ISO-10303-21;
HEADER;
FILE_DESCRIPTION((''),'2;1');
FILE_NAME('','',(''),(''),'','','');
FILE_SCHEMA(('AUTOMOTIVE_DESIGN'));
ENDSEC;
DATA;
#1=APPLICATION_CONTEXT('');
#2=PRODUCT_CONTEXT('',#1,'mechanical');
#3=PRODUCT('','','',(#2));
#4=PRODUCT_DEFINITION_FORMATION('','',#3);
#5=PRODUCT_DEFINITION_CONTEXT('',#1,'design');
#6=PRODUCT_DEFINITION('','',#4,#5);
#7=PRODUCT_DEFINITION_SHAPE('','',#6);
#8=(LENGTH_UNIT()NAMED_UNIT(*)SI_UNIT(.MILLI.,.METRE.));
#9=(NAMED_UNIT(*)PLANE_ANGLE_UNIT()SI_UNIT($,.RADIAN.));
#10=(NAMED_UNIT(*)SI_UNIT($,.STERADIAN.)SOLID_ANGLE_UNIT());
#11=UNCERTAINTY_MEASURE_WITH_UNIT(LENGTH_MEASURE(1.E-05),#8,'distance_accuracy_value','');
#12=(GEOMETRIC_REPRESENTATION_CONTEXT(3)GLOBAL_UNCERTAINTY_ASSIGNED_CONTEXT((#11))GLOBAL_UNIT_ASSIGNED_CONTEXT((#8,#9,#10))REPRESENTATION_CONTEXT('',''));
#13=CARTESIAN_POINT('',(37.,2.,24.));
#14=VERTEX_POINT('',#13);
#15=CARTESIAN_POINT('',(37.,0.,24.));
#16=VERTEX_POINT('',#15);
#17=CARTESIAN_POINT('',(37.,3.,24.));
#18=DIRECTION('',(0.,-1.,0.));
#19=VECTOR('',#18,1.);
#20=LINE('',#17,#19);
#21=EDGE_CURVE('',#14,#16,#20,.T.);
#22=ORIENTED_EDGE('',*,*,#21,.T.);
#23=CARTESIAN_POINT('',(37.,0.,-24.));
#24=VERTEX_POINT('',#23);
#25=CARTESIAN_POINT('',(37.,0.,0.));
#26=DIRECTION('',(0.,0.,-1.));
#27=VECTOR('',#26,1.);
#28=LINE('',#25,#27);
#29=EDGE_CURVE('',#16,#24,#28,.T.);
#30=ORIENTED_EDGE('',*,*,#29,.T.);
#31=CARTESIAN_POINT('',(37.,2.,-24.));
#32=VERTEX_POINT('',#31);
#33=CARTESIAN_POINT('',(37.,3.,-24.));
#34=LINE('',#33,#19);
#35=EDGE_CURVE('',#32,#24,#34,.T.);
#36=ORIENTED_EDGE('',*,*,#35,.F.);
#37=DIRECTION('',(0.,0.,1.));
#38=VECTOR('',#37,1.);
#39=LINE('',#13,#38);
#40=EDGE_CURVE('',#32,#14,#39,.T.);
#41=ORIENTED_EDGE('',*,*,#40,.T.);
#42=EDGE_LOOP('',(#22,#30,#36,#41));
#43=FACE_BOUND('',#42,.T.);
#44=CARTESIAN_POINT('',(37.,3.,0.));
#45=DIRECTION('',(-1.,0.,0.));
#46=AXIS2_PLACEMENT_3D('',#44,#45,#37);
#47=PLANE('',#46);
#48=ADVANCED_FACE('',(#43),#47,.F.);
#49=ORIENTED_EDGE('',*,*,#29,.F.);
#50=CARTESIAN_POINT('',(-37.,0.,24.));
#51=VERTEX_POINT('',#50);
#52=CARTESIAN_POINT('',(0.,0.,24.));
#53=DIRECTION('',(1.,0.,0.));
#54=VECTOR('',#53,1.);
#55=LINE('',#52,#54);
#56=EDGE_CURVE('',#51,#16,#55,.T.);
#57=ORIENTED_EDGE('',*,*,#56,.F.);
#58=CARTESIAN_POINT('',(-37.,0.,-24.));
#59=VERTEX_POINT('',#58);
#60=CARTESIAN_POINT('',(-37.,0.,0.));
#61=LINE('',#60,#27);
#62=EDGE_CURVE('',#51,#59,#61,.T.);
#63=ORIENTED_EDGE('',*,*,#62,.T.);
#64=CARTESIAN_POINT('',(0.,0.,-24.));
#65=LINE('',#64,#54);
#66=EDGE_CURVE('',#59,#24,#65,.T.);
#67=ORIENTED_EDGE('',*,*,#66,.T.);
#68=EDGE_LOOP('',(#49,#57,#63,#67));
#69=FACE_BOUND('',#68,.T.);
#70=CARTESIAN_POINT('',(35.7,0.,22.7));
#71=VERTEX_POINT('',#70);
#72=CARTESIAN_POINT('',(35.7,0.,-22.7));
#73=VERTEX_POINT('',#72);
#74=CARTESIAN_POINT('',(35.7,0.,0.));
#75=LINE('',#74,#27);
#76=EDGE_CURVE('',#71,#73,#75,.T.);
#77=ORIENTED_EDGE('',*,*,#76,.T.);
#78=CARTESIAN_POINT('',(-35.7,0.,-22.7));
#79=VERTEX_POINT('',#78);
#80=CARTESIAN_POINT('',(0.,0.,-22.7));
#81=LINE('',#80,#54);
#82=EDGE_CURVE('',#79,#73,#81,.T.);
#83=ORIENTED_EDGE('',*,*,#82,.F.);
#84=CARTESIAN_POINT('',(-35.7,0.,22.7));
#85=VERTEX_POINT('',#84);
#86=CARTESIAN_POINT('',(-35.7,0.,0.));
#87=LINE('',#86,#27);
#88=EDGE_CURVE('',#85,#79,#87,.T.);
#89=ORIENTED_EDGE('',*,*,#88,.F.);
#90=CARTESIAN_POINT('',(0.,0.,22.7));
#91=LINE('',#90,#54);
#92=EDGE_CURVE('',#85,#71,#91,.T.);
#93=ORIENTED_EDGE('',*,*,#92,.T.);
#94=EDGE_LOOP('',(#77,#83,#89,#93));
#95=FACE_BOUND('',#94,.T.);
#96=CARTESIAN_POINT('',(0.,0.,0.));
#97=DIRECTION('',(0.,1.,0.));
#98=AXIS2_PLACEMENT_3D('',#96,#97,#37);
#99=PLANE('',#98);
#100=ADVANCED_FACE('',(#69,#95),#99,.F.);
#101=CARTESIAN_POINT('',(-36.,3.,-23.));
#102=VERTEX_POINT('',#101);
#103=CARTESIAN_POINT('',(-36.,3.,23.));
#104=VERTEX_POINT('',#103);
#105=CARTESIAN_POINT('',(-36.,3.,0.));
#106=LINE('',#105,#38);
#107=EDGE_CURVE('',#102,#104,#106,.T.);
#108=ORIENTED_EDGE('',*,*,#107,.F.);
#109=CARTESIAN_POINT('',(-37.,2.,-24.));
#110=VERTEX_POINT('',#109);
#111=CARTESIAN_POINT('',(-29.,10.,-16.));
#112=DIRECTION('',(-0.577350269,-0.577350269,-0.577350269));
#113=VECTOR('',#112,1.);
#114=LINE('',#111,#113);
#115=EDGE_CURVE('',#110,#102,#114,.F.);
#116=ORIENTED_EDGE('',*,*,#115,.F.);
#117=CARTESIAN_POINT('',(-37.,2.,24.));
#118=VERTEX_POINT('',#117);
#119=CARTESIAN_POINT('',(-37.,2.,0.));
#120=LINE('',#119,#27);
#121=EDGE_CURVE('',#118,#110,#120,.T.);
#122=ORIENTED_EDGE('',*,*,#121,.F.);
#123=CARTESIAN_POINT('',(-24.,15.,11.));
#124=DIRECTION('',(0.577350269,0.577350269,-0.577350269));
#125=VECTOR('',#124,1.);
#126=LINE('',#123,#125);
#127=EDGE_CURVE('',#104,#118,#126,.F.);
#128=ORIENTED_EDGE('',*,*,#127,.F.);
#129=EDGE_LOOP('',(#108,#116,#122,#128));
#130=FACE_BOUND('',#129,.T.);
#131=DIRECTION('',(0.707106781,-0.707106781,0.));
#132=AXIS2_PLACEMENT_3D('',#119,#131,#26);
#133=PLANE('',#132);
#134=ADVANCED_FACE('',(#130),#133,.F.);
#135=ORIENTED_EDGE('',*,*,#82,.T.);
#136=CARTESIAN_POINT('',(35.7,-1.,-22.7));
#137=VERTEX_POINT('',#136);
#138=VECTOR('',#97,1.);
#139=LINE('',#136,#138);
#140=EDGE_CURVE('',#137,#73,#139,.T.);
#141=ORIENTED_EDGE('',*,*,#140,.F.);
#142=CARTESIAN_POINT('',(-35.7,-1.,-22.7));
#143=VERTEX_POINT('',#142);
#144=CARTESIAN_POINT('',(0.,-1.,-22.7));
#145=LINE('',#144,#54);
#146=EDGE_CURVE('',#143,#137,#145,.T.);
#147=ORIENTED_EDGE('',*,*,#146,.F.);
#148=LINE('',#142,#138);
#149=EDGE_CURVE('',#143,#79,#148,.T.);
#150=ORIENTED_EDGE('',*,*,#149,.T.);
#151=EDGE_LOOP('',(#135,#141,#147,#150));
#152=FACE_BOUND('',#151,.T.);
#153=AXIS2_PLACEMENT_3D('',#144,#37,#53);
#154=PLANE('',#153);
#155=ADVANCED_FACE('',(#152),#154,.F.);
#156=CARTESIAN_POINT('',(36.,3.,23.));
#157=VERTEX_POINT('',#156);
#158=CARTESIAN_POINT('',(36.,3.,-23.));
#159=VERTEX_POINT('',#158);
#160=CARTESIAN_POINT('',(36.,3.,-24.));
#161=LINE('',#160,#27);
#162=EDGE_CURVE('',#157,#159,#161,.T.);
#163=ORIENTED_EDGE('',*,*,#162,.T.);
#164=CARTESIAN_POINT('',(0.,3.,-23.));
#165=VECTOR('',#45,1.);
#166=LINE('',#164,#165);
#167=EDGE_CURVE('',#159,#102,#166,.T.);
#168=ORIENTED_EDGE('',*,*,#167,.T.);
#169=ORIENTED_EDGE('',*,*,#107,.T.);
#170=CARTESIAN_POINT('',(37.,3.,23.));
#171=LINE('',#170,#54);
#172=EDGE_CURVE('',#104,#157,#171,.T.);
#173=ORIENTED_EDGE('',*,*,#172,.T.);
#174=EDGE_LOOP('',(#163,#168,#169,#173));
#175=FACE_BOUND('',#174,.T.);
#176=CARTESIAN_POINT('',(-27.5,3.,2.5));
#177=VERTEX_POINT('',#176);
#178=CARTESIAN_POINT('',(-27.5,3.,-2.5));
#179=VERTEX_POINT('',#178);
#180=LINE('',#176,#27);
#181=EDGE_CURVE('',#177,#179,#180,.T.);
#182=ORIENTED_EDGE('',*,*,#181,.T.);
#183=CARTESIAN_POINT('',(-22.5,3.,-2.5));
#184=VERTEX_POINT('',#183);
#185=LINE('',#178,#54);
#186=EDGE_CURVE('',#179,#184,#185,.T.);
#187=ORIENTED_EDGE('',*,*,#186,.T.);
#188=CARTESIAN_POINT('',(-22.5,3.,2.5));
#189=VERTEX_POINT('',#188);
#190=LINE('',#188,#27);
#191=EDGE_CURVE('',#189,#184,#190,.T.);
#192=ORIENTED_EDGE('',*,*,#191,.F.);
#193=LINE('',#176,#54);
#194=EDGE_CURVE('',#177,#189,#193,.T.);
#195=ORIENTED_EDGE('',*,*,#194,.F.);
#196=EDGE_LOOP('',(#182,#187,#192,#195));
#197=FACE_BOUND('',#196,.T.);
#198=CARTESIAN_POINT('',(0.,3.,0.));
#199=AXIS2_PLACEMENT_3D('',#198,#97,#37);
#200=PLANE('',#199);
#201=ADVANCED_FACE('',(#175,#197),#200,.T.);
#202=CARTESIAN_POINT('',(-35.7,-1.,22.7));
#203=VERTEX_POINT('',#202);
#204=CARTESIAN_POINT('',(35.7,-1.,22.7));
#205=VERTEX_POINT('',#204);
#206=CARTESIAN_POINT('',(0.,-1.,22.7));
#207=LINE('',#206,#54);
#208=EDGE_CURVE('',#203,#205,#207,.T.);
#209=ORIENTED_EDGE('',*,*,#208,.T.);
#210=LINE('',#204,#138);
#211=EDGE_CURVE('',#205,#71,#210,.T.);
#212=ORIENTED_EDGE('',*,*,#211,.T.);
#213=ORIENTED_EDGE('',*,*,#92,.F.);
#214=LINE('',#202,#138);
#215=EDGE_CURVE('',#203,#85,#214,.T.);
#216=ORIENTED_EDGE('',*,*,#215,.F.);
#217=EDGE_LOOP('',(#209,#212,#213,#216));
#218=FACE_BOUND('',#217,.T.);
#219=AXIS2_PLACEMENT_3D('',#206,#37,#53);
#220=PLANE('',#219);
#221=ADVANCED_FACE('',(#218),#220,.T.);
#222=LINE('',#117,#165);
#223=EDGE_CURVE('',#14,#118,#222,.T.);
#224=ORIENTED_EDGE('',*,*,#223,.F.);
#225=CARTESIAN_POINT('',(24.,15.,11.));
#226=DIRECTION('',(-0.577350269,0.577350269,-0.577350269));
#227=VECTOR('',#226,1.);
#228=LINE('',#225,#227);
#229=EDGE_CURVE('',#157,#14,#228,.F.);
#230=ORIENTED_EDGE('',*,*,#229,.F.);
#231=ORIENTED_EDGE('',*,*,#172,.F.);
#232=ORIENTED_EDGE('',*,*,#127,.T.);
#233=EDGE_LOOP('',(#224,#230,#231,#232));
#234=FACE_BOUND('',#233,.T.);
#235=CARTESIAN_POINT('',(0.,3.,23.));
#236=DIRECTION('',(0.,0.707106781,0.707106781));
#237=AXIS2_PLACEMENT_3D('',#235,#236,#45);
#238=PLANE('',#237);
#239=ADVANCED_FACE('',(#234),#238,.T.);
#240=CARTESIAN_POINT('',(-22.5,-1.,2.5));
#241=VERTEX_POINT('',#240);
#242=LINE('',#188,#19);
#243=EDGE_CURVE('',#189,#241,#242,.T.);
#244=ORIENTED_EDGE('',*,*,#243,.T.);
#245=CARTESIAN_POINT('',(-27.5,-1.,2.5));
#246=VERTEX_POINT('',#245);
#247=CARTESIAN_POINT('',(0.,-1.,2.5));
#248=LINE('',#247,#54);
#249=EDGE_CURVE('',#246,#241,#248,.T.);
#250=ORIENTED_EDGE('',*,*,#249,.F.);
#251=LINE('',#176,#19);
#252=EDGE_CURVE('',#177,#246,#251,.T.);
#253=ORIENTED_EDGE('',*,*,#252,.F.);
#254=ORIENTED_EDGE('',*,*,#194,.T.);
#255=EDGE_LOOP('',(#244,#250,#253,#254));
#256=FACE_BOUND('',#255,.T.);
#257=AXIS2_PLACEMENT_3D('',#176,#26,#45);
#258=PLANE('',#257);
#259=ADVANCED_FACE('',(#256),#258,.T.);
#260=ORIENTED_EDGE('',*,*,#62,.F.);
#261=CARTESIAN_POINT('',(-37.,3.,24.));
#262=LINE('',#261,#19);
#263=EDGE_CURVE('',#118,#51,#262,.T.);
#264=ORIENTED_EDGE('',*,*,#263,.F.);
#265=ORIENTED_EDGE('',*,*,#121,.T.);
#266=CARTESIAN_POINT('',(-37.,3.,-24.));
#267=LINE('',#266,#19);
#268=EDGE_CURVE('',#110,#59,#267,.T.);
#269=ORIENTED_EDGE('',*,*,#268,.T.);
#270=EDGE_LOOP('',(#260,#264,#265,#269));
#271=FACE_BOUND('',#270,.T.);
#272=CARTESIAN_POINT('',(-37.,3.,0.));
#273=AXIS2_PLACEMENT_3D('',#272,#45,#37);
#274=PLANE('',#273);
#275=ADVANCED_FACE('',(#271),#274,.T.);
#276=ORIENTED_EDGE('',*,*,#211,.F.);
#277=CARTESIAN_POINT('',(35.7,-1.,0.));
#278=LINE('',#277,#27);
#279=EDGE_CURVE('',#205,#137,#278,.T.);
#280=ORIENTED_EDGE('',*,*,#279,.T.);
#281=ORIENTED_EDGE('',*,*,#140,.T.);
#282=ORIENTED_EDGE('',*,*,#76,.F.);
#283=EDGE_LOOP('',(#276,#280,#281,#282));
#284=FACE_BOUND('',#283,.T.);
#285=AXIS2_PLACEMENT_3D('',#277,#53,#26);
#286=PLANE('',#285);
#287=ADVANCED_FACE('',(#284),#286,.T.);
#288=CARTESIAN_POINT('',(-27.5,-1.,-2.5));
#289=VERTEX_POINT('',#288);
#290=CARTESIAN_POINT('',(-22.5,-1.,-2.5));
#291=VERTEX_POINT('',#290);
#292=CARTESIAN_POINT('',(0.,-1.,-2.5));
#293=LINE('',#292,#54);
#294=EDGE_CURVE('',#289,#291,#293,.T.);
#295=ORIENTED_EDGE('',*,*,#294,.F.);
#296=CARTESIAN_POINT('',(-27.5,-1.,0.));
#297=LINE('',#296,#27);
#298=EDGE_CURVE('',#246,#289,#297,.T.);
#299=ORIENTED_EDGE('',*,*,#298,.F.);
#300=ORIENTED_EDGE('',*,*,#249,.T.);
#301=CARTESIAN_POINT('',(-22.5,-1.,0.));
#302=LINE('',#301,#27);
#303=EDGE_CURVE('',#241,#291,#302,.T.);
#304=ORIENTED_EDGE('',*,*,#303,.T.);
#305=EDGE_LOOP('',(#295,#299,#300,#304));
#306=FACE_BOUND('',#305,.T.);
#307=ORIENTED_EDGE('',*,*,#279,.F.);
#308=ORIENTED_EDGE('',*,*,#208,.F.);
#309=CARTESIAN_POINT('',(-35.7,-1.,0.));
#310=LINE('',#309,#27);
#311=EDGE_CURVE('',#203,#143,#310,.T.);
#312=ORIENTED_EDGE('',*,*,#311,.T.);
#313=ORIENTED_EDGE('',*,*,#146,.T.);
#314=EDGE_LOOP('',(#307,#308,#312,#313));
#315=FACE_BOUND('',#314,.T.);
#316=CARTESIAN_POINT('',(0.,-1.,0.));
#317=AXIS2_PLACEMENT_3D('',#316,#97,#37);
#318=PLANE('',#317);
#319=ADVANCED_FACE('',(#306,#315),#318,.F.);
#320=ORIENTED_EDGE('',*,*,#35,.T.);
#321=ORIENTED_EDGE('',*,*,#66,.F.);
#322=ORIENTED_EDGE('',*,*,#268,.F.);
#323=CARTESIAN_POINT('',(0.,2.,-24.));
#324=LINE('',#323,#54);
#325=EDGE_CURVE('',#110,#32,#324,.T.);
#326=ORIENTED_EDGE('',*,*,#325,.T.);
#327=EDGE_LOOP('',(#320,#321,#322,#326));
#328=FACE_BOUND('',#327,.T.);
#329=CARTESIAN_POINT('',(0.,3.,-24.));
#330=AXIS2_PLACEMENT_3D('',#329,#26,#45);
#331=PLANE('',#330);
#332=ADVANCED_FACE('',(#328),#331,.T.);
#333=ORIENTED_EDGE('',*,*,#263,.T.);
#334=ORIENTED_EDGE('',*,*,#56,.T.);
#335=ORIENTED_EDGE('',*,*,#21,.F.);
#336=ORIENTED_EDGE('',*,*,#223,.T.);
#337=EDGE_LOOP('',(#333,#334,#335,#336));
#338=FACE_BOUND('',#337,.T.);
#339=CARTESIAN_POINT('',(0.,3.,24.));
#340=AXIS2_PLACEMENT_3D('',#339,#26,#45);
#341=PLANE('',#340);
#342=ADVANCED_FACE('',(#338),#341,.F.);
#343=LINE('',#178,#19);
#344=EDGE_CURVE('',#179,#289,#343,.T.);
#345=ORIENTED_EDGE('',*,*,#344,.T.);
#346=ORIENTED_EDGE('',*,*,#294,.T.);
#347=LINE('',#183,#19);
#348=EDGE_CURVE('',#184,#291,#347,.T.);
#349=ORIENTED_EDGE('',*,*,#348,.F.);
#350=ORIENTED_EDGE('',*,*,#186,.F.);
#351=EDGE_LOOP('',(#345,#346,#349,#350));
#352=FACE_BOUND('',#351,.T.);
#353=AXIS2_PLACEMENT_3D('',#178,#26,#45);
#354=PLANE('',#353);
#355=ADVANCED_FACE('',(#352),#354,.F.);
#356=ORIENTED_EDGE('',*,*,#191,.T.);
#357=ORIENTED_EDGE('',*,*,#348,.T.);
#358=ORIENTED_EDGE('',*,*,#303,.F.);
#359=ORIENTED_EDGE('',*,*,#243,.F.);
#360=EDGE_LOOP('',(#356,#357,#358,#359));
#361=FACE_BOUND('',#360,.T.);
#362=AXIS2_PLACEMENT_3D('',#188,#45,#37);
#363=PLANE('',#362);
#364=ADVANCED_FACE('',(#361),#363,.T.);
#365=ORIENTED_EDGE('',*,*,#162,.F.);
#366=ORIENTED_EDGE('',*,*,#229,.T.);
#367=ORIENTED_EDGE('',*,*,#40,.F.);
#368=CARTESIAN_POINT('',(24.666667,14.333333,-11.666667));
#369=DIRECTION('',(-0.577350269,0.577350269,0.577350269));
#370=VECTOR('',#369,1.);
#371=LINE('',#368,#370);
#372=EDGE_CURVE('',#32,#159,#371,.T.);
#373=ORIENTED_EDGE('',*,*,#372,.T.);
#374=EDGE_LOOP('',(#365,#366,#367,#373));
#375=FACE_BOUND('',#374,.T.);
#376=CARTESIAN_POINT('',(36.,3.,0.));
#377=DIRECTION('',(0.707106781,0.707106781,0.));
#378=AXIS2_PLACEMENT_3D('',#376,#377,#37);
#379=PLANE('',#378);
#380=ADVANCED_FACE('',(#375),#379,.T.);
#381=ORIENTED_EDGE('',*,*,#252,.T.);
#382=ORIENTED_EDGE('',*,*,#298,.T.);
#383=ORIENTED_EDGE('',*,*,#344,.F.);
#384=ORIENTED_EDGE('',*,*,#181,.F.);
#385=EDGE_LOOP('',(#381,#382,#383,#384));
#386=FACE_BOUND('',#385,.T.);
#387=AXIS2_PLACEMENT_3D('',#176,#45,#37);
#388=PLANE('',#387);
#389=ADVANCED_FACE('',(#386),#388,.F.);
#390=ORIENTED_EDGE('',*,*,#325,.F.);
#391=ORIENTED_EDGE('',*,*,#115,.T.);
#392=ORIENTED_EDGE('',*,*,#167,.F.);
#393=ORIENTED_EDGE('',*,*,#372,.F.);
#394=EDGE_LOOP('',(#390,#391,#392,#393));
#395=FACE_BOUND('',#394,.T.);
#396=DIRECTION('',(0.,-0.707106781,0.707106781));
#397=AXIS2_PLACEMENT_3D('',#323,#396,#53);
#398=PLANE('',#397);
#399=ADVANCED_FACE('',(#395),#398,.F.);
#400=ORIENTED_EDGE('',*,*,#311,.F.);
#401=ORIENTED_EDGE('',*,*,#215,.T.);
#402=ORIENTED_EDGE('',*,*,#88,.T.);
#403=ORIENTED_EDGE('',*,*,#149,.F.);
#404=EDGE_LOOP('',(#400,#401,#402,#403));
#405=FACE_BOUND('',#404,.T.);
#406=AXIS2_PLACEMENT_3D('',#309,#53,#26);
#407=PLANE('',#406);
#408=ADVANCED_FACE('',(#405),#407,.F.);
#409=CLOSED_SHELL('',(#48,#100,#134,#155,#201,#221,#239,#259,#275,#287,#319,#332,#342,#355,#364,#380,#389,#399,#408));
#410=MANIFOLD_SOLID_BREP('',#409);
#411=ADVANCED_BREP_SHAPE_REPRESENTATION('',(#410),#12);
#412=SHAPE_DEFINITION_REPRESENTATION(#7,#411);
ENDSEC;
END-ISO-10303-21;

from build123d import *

# Parameters (mm, degrees)
SKETCH1_W           = 74
SKETCH1_H           = 48
SKETCH1_W_2         = 5
SKETCH1_H_2         = 5
BOSS_EXTRUDE1_DEPTH = 3
BOSS_EXTRUDE2_START = -1
SKETCH1_4_W         = 71.4
SKETCH1_4_H         = 45.4
SKETCH1_4_W_2       = 5
SKETCH1_4_H_2       = 5
BOSS_EXTRUDE2_DEPTH = 1
CHAMFER1_SIZE       = 1


with BuildPart() as part:
    # Sketch1 → Boss-Extrude1 (new body)
    with BuildSketch(Plane(origin=(0, 0, 0), x_dir=(1, 0, 0), z_dir=(0, 1, 0))):
        Rectangle(SKETCH1_W, SKETCH1_H)
        with Locations((-25, 0)):
            Rectangle(SKETCH1_W_2, SKETCH1_H_2, mode=Mode.SUBTRACT)
    extrude(amount=BOSS_EXTRUDE1_DEPTH)

    # Sketch1<4> → Boss-Extrude2 (add)
    with BuildSketch(Plane(origin=(0, 0, 0), x_dir=(1, 0, 0), z_dir=(0, 1, 0)).offset(BOSS_EXTRUDE2_START)):
        Rectangle(SKETCH1_4_W, SKETCH1_4_H)
        with Locations((-25, 0)):
            Rectangle(SKETCH1_4_W_2, SKETCH1_4_H_2, mode=Mode.SUBTRACT)
    extrude(amount=BOSS_EXTRUDE2_DEPTH)

    # Chamfer1
    chamfer1_edges = [part.edges().sort_by_distance(p)[0] for p in [
        (0, 3, 24),
        (37, 3, 0),
        (0, 3, -24),
        (-37, 3, 0),
    ]]
    chamfer(chamfer1_edges, length=CHAMFER1_SIZE)


solid = part.part
